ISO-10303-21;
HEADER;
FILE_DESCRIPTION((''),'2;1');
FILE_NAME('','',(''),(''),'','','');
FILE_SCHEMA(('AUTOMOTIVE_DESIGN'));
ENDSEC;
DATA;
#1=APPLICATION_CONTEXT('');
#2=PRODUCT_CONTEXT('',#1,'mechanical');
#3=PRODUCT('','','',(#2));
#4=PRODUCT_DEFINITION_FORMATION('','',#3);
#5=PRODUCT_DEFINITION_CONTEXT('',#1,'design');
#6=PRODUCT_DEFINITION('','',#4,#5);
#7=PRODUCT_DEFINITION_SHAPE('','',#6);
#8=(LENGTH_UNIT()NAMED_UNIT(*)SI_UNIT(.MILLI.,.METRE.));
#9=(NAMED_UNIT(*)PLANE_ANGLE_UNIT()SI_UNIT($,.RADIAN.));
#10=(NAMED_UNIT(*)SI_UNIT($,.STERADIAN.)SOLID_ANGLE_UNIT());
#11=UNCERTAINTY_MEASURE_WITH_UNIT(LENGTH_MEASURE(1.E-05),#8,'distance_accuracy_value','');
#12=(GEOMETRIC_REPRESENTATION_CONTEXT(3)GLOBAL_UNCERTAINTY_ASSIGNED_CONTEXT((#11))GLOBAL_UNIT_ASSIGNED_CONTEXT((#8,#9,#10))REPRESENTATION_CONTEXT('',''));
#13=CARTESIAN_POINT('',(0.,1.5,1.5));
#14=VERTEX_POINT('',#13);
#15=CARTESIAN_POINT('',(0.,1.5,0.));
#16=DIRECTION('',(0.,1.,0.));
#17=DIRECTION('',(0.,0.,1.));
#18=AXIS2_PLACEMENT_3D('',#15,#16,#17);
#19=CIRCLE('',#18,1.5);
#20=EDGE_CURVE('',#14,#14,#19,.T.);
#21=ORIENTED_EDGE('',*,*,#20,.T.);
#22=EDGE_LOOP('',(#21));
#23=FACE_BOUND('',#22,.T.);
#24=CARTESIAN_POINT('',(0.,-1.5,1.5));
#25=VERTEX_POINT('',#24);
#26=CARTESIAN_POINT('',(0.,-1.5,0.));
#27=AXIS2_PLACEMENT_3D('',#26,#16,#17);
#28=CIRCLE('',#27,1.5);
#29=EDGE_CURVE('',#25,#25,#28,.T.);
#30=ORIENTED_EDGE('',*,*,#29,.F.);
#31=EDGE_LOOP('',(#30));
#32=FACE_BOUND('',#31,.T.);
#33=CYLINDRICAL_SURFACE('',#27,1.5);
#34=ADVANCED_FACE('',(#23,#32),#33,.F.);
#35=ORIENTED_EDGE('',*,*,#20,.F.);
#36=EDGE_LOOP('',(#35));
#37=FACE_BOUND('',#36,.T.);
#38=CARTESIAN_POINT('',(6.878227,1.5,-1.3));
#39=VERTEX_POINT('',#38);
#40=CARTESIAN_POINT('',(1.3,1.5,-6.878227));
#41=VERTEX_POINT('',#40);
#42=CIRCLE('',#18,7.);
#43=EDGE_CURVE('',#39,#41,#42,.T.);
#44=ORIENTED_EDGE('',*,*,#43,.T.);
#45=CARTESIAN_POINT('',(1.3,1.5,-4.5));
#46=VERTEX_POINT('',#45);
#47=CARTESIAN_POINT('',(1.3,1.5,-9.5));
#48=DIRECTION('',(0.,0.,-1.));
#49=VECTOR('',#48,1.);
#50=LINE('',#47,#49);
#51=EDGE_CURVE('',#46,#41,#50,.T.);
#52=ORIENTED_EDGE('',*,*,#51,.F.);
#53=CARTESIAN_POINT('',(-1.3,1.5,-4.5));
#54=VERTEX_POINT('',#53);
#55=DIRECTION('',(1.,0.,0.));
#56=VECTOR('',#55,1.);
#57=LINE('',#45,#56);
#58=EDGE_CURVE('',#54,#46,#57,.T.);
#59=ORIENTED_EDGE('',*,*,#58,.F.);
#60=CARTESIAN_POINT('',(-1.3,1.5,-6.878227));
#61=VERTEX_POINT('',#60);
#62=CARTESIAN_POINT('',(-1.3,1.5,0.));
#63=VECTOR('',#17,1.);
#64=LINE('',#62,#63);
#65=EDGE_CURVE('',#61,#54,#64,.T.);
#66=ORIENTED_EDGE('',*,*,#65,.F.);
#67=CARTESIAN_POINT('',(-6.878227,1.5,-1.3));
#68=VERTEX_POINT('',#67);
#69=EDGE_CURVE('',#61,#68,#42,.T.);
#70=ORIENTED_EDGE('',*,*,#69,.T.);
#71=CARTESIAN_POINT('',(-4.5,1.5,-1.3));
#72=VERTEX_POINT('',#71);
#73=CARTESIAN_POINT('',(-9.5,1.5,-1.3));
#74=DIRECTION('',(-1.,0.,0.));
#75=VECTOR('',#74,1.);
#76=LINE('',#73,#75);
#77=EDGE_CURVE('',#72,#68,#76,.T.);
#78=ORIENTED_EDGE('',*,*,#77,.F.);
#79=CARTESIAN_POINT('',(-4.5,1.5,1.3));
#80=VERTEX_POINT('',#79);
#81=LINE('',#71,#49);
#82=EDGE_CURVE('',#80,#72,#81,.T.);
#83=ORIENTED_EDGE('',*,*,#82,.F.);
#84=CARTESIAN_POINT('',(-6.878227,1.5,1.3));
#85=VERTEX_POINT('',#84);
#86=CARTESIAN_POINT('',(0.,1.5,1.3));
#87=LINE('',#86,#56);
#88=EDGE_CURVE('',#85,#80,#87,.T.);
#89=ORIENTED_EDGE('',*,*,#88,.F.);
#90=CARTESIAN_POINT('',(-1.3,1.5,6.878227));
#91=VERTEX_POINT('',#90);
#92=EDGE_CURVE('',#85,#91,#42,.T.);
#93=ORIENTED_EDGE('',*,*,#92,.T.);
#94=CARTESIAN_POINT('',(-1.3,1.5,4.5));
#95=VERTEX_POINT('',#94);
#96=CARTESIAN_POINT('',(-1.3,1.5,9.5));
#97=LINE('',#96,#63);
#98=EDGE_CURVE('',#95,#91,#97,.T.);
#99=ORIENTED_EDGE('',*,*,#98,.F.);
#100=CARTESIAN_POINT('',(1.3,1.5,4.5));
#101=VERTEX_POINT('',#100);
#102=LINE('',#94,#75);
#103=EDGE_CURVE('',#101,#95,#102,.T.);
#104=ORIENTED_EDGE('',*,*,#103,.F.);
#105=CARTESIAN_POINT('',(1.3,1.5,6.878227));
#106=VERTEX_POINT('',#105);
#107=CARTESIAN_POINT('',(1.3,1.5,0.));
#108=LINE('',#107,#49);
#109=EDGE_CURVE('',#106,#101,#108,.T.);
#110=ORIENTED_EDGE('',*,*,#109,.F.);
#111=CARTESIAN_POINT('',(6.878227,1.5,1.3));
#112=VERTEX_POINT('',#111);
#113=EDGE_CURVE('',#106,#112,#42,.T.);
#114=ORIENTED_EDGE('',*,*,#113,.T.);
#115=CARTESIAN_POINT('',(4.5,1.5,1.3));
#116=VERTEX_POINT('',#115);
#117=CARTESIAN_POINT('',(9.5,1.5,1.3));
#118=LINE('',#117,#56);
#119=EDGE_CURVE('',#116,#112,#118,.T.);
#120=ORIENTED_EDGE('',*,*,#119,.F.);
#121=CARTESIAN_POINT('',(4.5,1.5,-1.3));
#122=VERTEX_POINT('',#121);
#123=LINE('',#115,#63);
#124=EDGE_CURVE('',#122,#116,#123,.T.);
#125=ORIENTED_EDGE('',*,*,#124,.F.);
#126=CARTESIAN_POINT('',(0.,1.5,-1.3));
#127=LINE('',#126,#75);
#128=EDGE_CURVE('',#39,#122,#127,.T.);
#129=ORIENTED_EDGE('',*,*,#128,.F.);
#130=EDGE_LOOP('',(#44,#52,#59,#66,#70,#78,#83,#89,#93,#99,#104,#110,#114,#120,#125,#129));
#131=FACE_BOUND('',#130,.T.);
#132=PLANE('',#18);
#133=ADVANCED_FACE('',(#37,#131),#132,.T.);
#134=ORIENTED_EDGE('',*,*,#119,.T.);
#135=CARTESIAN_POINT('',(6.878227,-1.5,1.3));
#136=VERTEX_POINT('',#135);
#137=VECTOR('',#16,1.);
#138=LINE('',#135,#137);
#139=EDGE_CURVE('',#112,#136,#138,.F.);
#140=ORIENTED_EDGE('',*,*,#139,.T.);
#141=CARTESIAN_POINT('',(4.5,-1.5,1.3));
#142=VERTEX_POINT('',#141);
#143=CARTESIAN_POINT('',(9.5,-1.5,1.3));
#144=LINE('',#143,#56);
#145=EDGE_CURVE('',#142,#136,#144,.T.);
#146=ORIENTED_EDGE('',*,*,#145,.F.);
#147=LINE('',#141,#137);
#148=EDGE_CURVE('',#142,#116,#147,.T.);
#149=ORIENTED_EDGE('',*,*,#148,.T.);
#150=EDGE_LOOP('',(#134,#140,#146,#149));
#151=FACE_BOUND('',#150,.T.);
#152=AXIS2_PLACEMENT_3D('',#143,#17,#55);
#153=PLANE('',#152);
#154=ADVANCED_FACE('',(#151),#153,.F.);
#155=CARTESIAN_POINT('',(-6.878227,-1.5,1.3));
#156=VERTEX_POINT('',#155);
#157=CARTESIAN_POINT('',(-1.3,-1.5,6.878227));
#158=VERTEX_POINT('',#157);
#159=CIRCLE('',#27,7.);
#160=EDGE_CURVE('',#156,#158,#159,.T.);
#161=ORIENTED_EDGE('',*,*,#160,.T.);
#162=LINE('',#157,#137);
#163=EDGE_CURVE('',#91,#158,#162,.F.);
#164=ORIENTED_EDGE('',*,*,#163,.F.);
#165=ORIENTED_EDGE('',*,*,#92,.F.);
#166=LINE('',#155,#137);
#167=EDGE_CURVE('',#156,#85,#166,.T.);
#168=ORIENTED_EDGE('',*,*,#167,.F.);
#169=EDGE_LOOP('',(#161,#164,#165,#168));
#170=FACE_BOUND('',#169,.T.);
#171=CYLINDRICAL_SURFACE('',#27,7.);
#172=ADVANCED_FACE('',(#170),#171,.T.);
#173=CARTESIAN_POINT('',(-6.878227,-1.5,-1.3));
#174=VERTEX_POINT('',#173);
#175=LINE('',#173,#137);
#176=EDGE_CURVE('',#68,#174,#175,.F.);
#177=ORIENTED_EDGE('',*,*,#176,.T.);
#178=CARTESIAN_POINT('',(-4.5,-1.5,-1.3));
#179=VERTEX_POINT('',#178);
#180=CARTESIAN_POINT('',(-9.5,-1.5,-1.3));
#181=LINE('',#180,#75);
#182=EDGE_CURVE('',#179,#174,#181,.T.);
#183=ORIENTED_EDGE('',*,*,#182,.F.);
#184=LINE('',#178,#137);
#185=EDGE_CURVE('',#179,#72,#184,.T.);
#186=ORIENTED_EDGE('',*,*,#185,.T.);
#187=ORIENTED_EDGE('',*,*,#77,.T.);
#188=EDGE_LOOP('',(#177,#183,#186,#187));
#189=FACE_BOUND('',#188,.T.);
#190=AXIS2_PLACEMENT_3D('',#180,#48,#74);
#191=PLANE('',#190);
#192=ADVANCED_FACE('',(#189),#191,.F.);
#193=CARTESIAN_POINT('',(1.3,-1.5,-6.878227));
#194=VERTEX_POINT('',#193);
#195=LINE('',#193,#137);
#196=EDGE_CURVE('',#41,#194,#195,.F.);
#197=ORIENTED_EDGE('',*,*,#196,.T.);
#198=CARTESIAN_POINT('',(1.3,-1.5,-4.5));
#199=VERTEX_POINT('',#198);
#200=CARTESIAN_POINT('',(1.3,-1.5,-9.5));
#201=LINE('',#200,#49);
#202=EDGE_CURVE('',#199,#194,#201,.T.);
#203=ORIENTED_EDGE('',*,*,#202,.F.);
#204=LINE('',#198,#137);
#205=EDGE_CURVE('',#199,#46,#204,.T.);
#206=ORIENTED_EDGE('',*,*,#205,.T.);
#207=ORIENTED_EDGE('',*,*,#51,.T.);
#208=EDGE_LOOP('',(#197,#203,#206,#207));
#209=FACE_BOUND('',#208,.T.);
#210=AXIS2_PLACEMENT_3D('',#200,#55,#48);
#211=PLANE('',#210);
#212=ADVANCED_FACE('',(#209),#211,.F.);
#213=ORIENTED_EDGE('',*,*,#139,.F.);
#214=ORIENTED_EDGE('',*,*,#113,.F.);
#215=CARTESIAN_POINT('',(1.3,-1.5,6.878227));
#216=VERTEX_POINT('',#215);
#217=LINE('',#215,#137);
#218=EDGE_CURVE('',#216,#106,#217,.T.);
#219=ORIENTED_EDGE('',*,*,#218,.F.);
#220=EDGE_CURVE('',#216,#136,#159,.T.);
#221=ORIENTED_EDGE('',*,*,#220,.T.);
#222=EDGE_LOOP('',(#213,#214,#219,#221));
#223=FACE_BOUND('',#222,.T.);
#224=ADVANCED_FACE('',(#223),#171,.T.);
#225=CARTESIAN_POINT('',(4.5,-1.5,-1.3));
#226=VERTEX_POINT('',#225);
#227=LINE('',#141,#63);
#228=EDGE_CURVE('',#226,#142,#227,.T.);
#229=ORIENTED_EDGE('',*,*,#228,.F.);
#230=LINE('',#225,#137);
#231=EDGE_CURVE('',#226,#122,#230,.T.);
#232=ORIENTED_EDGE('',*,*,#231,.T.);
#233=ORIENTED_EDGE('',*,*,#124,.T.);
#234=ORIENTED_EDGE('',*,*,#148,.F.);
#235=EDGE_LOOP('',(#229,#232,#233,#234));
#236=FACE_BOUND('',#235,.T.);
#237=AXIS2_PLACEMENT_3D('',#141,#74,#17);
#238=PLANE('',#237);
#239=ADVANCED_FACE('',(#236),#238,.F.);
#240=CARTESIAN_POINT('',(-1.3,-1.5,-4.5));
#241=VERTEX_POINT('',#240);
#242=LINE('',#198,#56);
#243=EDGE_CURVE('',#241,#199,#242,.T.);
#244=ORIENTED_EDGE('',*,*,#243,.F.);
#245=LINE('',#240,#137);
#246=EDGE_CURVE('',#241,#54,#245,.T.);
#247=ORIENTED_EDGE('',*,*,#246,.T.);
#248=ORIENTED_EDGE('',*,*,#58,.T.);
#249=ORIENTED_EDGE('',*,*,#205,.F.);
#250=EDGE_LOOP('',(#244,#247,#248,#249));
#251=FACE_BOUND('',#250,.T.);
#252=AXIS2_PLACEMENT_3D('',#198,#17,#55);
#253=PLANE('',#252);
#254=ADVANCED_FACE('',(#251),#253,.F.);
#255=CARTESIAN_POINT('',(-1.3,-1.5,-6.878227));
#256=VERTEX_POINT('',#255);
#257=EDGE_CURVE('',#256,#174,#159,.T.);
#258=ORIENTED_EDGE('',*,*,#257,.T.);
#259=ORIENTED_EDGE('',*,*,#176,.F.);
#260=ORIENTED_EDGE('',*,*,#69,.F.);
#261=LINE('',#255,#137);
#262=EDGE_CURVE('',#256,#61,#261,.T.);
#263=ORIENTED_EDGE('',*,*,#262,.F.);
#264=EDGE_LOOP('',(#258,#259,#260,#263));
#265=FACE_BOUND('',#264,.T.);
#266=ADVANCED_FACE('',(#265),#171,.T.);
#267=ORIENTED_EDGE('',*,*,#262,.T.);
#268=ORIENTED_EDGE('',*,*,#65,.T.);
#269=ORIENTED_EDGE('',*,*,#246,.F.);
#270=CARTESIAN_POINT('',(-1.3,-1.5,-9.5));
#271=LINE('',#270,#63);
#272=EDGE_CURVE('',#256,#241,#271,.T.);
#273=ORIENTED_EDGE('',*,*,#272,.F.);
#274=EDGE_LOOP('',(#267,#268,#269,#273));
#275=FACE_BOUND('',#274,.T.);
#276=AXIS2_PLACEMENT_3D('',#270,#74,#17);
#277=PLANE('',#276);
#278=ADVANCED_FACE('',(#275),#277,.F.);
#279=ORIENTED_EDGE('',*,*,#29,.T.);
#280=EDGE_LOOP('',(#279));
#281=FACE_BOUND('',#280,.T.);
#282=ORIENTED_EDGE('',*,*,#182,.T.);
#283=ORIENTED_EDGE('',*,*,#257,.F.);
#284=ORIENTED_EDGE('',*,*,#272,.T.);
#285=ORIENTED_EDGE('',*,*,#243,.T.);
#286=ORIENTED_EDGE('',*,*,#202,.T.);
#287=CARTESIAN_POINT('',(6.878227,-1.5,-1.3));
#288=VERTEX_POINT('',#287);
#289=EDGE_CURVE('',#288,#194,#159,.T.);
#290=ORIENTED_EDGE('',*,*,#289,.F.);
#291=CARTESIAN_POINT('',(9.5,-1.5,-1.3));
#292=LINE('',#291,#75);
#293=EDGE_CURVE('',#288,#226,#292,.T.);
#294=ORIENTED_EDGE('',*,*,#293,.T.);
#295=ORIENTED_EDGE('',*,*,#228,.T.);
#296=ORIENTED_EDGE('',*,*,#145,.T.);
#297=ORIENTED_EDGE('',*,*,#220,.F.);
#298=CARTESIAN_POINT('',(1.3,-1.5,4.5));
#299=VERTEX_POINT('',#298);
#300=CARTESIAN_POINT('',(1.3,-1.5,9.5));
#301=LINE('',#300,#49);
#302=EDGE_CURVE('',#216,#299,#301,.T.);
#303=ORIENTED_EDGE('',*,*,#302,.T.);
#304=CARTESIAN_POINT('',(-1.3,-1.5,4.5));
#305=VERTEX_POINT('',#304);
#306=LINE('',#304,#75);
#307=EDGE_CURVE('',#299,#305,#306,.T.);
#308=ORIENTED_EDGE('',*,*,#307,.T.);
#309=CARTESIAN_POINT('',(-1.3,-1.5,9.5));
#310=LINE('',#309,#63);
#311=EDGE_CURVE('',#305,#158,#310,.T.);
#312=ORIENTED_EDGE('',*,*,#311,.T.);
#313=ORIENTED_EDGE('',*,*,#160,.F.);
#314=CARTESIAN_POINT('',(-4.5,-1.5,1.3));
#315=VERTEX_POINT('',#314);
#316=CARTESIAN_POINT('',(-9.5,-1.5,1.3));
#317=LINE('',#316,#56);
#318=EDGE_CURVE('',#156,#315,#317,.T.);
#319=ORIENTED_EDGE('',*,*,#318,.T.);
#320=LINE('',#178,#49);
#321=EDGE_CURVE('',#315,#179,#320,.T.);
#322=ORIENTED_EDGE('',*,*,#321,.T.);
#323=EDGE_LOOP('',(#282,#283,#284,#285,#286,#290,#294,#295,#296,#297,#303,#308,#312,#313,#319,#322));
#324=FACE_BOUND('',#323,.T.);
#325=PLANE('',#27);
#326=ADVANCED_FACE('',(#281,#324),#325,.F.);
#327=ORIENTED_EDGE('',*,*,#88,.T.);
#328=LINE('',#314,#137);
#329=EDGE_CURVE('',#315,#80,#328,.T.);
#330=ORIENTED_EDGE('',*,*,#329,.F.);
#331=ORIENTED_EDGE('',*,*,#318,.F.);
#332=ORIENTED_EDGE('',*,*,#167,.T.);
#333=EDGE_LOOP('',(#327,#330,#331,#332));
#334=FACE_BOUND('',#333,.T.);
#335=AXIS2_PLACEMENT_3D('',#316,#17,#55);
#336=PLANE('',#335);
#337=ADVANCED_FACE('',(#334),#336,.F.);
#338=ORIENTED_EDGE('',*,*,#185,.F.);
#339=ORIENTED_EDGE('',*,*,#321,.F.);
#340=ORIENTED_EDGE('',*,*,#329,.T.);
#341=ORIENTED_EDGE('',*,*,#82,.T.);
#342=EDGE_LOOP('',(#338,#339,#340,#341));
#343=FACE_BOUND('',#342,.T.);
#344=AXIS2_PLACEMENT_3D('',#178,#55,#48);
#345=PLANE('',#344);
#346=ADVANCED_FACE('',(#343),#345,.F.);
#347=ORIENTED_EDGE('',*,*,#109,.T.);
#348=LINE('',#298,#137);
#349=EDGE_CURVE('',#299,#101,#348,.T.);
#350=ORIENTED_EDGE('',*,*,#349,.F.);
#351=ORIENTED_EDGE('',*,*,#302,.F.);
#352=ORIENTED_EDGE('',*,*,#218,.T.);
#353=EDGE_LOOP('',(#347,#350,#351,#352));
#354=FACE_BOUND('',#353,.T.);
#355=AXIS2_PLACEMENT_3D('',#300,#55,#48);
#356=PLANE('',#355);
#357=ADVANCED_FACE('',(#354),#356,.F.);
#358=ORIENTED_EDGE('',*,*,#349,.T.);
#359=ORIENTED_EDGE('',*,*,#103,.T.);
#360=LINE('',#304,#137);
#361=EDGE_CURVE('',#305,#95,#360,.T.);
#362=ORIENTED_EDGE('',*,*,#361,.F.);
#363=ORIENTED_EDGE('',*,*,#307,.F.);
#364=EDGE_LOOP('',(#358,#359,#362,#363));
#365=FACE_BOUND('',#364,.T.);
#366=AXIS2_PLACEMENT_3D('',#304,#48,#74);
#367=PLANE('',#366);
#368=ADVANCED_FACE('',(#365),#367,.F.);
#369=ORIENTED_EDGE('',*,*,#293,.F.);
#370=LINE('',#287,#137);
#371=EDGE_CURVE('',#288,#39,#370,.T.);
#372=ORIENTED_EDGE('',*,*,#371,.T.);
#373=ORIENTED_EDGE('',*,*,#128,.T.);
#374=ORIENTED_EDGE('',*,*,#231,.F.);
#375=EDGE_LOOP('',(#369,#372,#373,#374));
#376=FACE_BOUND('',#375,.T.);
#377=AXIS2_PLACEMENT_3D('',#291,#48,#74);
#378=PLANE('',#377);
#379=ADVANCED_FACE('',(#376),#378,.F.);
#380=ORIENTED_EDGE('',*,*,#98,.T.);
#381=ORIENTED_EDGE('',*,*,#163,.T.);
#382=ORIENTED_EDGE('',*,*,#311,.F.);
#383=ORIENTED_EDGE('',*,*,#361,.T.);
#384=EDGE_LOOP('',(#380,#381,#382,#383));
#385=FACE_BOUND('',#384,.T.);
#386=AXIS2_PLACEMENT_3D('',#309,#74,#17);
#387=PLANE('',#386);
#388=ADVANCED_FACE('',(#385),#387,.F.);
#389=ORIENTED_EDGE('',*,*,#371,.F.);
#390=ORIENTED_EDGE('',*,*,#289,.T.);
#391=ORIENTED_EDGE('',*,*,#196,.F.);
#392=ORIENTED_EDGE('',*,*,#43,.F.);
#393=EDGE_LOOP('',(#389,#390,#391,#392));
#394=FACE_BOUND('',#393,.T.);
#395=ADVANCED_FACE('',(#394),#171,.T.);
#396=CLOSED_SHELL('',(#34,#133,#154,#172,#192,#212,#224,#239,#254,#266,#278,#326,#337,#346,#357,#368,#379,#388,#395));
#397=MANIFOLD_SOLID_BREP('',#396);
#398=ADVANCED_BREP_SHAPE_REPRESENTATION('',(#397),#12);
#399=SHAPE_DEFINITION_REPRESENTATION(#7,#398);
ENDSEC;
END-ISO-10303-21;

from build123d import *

# Parameters (mm, degrees)
BOSS_EXTRUDE1_DEPTH      = 1.5
BOSS_EXTRUDE1_DEPTH_BACK = 1.5
SKETCH1_R                = 7
SKETCH1_R_2              = 1.5
SKETCH2_W                = 5
SKETCH2_H                = 2.6
CUT_EXTRUDE1_DEPTH       = 11.344080433
CIRPATTERN1_COUNT        = 4


with BuildPart() as part:
    # Sketch1 → Boss-Extrude1 (new, two sides: drawn at the far end of the back side and taken through both)
    with BuildSketch(Plane(origin=(0, 0, 0), x_dir=(1, 0, 0), z_dir=(0, 1, 0)).offset(-BOSS_EXTRUDE1_DEPTH_BACK)):
        Circle(SKETCH1_R)
        Circle(SKETCH1_R_2, mode=Mode.SUBTRACT)
    extrude(amount=BOSS_EXTRUDE1_DEPTH + BOSS_EXTRUDE1_DEPTH_BACK)

    # Sketch2 → Cut-Extrude1 (cut, through all)
    with BuildSketch(Plane(origin=(0, 1.5, 0), x_dir=(1, 0, 0), z_dir=(0, 1, 0))):
        with Locations((7, 0)):
            Rectangle(SKETCH2_W, SKETCH2_H)
    cut_extrude1 = extrude(amount=-CUT_EXTRUDE1_DEPTH, mode=Mode.SUBTRACT)

    # CirPattern1: Cut-Extrude1 ×4 about axis
    cirpattern1_axis = Axis((0, -1.5, 0), (0, 1, 0))
    for i in range(1, CIRPATTERN1_COUNT):
        add(cut_extrude1.rotate(cirpattern1_axis, i * 360 / CIRPATTERN1_COUNT), mode=Mode.SUBTRACT)


solid = part.part
